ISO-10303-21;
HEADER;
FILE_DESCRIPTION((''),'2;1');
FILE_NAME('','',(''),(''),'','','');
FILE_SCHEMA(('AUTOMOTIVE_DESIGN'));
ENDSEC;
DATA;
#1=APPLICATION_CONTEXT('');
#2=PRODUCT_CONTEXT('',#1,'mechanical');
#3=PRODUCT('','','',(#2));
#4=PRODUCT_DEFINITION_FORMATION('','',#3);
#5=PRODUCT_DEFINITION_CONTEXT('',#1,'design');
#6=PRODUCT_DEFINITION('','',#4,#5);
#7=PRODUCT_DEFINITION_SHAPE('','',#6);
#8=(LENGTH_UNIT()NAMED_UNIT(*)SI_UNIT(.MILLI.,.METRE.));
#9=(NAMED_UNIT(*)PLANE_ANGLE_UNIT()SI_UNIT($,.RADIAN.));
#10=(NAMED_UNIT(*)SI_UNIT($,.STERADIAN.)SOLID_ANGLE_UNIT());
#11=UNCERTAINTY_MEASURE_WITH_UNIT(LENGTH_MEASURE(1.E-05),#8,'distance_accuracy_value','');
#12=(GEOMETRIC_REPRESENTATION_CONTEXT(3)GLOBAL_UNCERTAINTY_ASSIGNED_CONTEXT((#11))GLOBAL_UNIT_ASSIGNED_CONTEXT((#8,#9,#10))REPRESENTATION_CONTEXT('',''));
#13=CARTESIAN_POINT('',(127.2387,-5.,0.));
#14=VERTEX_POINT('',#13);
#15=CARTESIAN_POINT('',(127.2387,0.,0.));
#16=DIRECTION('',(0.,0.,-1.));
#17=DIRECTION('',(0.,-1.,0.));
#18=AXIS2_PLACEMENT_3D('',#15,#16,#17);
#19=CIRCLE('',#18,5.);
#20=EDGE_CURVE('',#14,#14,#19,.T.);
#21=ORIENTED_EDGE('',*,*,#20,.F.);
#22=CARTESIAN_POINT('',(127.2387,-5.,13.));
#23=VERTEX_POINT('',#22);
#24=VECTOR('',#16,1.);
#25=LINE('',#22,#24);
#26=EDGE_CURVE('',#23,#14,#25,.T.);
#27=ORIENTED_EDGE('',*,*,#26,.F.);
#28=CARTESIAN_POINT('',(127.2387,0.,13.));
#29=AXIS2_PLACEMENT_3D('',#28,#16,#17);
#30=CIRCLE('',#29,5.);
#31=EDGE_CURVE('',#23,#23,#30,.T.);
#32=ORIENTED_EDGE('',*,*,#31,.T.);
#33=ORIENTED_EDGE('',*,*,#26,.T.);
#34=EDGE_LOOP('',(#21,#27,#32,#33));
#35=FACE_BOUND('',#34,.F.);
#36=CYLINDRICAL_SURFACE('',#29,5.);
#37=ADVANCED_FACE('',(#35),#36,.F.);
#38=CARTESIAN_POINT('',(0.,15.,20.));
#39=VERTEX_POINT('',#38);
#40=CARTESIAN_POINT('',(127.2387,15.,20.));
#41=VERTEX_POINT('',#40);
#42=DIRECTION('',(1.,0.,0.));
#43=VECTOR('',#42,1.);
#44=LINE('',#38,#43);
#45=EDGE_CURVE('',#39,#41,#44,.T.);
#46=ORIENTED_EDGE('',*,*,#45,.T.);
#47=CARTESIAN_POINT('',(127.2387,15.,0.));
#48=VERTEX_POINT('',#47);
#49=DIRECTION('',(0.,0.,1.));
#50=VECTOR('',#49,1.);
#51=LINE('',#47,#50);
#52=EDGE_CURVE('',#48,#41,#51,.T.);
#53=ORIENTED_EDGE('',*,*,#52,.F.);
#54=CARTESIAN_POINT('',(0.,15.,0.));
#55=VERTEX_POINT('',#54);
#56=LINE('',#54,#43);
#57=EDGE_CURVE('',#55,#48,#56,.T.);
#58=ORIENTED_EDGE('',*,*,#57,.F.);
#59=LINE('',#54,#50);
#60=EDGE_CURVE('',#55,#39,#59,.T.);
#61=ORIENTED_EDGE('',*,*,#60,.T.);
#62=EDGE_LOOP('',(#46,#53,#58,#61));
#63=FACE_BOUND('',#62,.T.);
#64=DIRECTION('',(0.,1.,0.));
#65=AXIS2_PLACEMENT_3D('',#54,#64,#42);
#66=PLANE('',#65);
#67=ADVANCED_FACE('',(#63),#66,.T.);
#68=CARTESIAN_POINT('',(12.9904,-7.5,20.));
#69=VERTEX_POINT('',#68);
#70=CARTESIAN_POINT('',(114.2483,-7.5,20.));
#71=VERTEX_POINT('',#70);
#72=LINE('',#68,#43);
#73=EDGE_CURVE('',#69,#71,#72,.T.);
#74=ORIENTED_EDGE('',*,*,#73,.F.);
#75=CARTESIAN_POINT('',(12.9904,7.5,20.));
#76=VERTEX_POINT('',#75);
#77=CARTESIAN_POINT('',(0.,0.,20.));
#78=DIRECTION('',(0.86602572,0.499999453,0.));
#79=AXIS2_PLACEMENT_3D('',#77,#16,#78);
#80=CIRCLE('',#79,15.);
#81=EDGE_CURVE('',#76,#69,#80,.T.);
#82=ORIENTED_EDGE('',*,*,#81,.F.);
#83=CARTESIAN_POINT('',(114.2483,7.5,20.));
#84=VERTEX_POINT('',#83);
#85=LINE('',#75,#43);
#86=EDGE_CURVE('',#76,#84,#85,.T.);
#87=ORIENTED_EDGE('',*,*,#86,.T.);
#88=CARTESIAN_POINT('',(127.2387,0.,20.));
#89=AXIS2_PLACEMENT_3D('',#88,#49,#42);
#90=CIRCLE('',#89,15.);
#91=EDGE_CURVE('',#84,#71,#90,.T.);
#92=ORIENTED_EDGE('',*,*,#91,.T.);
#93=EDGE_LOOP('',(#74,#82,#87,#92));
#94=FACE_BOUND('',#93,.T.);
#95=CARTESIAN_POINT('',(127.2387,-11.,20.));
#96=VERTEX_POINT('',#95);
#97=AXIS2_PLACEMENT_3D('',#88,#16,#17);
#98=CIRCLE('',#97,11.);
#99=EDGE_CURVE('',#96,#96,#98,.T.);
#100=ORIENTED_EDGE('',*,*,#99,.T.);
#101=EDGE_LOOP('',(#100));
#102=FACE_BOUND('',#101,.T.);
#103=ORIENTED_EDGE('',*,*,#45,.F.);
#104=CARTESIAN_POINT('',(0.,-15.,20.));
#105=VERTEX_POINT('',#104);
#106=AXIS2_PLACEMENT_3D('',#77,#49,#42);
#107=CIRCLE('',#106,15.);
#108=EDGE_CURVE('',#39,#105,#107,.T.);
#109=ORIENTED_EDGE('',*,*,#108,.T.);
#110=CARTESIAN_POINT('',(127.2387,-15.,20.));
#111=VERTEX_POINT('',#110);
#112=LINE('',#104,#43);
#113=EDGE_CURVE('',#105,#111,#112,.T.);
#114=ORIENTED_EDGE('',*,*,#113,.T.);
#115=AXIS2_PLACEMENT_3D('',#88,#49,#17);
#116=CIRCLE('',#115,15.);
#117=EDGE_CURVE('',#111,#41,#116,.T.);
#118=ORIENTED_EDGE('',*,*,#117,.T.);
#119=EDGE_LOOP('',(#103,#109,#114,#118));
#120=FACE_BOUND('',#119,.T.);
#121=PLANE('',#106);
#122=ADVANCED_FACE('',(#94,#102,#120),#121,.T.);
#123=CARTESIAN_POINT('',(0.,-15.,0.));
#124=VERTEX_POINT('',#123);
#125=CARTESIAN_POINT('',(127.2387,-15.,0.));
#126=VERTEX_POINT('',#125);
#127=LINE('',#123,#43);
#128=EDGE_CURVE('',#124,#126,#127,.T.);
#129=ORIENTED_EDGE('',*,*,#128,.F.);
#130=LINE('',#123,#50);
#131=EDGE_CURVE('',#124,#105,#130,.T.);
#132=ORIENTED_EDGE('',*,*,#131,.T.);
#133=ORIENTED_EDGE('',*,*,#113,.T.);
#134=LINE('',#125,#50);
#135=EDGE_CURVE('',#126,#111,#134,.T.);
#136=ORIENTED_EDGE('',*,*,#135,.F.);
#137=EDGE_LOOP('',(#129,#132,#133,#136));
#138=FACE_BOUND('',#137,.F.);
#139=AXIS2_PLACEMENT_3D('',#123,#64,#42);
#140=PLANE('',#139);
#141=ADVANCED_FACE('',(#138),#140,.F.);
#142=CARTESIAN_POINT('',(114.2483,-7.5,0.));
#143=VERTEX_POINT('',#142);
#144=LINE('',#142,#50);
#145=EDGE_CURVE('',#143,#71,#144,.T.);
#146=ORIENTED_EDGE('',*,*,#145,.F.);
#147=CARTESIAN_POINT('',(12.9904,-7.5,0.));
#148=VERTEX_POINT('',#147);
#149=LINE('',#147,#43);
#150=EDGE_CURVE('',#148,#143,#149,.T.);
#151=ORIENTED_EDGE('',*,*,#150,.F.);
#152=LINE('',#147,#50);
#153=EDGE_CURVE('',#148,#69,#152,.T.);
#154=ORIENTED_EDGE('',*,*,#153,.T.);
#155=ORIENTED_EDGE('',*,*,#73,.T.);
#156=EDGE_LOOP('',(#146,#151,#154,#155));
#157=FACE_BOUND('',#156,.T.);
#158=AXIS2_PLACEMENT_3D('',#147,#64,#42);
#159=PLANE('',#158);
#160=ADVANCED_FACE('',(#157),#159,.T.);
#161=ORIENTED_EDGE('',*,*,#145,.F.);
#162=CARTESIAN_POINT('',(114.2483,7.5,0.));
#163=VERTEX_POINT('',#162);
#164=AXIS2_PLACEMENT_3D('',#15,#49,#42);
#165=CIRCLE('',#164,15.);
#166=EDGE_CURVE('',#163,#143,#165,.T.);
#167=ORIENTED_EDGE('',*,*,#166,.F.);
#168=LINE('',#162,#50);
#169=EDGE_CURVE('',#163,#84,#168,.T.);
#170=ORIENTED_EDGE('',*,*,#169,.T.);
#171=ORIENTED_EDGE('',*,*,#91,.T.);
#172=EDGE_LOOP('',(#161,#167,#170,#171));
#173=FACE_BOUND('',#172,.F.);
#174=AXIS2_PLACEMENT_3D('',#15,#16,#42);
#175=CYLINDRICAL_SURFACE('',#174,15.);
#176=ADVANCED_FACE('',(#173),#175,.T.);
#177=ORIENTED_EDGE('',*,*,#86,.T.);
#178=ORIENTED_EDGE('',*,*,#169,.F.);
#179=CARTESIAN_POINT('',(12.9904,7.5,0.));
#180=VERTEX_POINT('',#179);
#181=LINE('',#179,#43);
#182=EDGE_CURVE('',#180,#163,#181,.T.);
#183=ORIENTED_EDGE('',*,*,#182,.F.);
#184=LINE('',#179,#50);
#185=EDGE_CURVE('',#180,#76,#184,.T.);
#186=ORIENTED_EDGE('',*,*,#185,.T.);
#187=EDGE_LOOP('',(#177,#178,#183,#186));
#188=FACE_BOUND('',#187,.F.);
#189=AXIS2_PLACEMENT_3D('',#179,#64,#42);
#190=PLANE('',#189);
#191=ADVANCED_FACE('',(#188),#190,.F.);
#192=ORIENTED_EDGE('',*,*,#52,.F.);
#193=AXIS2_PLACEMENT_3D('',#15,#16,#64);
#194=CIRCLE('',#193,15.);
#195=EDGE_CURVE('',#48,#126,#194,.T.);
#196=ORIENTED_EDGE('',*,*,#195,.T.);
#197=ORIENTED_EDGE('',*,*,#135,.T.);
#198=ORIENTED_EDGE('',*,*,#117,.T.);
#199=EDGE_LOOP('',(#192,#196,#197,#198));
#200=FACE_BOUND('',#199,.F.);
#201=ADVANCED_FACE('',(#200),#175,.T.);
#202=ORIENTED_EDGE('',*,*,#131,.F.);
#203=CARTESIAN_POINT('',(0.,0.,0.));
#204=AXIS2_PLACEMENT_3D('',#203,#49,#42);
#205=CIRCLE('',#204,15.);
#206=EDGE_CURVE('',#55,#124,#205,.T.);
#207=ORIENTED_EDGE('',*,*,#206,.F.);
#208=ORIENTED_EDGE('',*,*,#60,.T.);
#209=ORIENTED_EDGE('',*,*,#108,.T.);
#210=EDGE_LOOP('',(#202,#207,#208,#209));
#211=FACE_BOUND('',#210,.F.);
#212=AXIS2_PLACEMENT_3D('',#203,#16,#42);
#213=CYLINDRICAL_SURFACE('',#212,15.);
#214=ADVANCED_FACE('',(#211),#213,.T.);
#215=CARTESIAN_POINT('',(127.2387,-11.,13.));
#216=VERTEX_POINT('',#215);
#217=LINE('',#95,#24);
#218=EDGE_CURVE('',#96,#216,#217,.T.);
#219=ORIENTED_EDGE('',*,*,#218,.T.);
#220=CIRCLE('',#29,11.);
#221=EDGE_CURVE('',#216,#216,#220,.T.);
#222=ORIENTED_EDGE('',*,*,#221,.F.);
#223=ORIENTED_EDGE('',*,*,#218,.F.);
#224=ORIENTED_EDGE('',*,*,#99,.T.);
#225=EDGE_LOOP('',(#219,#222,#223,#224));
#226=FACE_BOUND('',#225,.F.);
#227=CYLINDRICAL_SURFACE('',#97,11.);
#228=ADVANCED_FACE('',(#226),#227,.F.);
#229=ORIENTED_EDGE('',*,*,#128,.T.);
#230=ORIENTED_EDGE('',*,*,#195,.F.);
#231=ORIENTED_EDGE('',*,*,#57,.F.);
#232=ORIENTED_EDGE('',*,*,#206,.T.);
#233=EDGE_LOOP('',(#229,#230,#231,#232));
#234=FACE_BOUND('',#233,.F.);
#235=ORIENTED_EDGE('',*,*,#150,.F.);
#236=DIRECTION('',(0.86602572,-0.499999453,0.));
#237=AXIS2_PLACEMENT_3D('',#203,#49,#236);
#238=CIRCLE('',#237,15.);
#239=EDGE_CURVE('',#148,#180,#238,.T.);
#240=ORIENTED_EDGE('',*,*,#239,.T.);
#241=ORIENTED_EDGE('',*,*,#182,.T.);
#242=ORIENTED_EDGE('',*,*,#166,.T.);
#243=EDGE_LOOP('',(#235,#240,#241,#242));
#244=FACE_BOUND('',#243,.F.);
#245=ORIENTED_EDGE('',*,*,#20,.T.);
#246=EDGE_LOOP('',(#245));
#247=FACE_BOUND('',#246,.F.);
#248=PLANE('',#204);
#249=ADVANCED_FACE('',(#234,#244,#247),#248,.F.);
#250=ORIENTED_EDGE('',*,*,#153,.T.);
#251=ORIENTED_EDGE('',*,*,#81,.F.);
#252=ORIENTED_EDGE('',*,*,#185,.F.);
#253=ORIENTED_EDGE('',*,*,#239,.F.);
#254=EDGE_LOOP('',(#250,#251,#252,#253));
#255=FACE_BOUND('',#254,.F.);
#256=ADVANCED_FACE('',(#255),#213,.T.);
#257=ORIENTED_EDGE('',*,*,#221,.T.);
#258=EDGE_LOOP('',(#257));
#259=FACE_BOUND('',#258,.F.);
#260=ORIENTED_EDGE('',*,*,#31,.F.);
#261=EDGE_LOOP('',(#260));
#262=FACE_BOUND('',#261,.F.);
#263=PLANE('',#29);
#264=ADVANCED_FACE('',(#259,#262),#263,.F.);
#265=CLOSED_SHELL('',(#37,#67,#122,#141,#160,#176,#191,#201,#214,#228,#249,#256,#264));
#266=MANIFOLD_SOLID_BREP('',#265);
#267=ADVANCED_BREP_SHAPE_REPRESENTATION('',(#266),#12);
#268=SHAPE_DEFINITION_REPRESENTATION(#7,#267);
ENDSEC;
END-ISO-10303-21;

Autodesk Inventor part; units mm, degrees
ref_plane "YZ Plane" through (0, 0, 0) normal (1, 0, 0) x (0, 1, 0)
ref_plane "XZ Plane" through (0, 0, 0) normal (0, 1, 0) x (-1, 0, 0)
ref_plane "XY Plane" through (0, 0, 0) normal (0, 0, 1) x (1, 0, 0)
sketch "Sketch1" plane through (0, 0, 0) normal (0, 0, 1) x (1, 0, 0)
  circle A0 centre (0, 0) radius 15
  circle A1 centre (127.2387, 0) radius 15
  line L0 (0, 15) -> (127.2387, 15)
  line L1 (0, -15) -> (127.2387, -15)
  line L2 (12.9904, -7.5) -> (114.2483, -7.5)
  line L3 (12.9904, 7.5) -> (114.2483, 7.5)
  dimension "d0" = 30
  dimension "d1" = 127.2387
  dimension "d2" = 7.5
  dimension "d3" = 7.5
extrude "Extrusion1" add sketch "Sketch1" along normal blind 20 contours A0 | A0 L0 A1 L3 | L2 A1 L1 A0 | A1
sketch "Sketch2" plane through (0, 0, 20) normal (0, 0, 1) x (1, 0, 0)
  arc A0 (127.2387, -15) -> (127.2387, 15) centre (127.2387, 0) ccw projected
  point P0 (0, 0)
  point P1 (142.2387, 0)
hole "Hole1" at (127.2387, 0, 20) direction (0, 0, -1) diameter 10 end through all counterbore diameter 22 counterbore depth 7
properties part number "PARALLEL_LINKAGE_LH"
